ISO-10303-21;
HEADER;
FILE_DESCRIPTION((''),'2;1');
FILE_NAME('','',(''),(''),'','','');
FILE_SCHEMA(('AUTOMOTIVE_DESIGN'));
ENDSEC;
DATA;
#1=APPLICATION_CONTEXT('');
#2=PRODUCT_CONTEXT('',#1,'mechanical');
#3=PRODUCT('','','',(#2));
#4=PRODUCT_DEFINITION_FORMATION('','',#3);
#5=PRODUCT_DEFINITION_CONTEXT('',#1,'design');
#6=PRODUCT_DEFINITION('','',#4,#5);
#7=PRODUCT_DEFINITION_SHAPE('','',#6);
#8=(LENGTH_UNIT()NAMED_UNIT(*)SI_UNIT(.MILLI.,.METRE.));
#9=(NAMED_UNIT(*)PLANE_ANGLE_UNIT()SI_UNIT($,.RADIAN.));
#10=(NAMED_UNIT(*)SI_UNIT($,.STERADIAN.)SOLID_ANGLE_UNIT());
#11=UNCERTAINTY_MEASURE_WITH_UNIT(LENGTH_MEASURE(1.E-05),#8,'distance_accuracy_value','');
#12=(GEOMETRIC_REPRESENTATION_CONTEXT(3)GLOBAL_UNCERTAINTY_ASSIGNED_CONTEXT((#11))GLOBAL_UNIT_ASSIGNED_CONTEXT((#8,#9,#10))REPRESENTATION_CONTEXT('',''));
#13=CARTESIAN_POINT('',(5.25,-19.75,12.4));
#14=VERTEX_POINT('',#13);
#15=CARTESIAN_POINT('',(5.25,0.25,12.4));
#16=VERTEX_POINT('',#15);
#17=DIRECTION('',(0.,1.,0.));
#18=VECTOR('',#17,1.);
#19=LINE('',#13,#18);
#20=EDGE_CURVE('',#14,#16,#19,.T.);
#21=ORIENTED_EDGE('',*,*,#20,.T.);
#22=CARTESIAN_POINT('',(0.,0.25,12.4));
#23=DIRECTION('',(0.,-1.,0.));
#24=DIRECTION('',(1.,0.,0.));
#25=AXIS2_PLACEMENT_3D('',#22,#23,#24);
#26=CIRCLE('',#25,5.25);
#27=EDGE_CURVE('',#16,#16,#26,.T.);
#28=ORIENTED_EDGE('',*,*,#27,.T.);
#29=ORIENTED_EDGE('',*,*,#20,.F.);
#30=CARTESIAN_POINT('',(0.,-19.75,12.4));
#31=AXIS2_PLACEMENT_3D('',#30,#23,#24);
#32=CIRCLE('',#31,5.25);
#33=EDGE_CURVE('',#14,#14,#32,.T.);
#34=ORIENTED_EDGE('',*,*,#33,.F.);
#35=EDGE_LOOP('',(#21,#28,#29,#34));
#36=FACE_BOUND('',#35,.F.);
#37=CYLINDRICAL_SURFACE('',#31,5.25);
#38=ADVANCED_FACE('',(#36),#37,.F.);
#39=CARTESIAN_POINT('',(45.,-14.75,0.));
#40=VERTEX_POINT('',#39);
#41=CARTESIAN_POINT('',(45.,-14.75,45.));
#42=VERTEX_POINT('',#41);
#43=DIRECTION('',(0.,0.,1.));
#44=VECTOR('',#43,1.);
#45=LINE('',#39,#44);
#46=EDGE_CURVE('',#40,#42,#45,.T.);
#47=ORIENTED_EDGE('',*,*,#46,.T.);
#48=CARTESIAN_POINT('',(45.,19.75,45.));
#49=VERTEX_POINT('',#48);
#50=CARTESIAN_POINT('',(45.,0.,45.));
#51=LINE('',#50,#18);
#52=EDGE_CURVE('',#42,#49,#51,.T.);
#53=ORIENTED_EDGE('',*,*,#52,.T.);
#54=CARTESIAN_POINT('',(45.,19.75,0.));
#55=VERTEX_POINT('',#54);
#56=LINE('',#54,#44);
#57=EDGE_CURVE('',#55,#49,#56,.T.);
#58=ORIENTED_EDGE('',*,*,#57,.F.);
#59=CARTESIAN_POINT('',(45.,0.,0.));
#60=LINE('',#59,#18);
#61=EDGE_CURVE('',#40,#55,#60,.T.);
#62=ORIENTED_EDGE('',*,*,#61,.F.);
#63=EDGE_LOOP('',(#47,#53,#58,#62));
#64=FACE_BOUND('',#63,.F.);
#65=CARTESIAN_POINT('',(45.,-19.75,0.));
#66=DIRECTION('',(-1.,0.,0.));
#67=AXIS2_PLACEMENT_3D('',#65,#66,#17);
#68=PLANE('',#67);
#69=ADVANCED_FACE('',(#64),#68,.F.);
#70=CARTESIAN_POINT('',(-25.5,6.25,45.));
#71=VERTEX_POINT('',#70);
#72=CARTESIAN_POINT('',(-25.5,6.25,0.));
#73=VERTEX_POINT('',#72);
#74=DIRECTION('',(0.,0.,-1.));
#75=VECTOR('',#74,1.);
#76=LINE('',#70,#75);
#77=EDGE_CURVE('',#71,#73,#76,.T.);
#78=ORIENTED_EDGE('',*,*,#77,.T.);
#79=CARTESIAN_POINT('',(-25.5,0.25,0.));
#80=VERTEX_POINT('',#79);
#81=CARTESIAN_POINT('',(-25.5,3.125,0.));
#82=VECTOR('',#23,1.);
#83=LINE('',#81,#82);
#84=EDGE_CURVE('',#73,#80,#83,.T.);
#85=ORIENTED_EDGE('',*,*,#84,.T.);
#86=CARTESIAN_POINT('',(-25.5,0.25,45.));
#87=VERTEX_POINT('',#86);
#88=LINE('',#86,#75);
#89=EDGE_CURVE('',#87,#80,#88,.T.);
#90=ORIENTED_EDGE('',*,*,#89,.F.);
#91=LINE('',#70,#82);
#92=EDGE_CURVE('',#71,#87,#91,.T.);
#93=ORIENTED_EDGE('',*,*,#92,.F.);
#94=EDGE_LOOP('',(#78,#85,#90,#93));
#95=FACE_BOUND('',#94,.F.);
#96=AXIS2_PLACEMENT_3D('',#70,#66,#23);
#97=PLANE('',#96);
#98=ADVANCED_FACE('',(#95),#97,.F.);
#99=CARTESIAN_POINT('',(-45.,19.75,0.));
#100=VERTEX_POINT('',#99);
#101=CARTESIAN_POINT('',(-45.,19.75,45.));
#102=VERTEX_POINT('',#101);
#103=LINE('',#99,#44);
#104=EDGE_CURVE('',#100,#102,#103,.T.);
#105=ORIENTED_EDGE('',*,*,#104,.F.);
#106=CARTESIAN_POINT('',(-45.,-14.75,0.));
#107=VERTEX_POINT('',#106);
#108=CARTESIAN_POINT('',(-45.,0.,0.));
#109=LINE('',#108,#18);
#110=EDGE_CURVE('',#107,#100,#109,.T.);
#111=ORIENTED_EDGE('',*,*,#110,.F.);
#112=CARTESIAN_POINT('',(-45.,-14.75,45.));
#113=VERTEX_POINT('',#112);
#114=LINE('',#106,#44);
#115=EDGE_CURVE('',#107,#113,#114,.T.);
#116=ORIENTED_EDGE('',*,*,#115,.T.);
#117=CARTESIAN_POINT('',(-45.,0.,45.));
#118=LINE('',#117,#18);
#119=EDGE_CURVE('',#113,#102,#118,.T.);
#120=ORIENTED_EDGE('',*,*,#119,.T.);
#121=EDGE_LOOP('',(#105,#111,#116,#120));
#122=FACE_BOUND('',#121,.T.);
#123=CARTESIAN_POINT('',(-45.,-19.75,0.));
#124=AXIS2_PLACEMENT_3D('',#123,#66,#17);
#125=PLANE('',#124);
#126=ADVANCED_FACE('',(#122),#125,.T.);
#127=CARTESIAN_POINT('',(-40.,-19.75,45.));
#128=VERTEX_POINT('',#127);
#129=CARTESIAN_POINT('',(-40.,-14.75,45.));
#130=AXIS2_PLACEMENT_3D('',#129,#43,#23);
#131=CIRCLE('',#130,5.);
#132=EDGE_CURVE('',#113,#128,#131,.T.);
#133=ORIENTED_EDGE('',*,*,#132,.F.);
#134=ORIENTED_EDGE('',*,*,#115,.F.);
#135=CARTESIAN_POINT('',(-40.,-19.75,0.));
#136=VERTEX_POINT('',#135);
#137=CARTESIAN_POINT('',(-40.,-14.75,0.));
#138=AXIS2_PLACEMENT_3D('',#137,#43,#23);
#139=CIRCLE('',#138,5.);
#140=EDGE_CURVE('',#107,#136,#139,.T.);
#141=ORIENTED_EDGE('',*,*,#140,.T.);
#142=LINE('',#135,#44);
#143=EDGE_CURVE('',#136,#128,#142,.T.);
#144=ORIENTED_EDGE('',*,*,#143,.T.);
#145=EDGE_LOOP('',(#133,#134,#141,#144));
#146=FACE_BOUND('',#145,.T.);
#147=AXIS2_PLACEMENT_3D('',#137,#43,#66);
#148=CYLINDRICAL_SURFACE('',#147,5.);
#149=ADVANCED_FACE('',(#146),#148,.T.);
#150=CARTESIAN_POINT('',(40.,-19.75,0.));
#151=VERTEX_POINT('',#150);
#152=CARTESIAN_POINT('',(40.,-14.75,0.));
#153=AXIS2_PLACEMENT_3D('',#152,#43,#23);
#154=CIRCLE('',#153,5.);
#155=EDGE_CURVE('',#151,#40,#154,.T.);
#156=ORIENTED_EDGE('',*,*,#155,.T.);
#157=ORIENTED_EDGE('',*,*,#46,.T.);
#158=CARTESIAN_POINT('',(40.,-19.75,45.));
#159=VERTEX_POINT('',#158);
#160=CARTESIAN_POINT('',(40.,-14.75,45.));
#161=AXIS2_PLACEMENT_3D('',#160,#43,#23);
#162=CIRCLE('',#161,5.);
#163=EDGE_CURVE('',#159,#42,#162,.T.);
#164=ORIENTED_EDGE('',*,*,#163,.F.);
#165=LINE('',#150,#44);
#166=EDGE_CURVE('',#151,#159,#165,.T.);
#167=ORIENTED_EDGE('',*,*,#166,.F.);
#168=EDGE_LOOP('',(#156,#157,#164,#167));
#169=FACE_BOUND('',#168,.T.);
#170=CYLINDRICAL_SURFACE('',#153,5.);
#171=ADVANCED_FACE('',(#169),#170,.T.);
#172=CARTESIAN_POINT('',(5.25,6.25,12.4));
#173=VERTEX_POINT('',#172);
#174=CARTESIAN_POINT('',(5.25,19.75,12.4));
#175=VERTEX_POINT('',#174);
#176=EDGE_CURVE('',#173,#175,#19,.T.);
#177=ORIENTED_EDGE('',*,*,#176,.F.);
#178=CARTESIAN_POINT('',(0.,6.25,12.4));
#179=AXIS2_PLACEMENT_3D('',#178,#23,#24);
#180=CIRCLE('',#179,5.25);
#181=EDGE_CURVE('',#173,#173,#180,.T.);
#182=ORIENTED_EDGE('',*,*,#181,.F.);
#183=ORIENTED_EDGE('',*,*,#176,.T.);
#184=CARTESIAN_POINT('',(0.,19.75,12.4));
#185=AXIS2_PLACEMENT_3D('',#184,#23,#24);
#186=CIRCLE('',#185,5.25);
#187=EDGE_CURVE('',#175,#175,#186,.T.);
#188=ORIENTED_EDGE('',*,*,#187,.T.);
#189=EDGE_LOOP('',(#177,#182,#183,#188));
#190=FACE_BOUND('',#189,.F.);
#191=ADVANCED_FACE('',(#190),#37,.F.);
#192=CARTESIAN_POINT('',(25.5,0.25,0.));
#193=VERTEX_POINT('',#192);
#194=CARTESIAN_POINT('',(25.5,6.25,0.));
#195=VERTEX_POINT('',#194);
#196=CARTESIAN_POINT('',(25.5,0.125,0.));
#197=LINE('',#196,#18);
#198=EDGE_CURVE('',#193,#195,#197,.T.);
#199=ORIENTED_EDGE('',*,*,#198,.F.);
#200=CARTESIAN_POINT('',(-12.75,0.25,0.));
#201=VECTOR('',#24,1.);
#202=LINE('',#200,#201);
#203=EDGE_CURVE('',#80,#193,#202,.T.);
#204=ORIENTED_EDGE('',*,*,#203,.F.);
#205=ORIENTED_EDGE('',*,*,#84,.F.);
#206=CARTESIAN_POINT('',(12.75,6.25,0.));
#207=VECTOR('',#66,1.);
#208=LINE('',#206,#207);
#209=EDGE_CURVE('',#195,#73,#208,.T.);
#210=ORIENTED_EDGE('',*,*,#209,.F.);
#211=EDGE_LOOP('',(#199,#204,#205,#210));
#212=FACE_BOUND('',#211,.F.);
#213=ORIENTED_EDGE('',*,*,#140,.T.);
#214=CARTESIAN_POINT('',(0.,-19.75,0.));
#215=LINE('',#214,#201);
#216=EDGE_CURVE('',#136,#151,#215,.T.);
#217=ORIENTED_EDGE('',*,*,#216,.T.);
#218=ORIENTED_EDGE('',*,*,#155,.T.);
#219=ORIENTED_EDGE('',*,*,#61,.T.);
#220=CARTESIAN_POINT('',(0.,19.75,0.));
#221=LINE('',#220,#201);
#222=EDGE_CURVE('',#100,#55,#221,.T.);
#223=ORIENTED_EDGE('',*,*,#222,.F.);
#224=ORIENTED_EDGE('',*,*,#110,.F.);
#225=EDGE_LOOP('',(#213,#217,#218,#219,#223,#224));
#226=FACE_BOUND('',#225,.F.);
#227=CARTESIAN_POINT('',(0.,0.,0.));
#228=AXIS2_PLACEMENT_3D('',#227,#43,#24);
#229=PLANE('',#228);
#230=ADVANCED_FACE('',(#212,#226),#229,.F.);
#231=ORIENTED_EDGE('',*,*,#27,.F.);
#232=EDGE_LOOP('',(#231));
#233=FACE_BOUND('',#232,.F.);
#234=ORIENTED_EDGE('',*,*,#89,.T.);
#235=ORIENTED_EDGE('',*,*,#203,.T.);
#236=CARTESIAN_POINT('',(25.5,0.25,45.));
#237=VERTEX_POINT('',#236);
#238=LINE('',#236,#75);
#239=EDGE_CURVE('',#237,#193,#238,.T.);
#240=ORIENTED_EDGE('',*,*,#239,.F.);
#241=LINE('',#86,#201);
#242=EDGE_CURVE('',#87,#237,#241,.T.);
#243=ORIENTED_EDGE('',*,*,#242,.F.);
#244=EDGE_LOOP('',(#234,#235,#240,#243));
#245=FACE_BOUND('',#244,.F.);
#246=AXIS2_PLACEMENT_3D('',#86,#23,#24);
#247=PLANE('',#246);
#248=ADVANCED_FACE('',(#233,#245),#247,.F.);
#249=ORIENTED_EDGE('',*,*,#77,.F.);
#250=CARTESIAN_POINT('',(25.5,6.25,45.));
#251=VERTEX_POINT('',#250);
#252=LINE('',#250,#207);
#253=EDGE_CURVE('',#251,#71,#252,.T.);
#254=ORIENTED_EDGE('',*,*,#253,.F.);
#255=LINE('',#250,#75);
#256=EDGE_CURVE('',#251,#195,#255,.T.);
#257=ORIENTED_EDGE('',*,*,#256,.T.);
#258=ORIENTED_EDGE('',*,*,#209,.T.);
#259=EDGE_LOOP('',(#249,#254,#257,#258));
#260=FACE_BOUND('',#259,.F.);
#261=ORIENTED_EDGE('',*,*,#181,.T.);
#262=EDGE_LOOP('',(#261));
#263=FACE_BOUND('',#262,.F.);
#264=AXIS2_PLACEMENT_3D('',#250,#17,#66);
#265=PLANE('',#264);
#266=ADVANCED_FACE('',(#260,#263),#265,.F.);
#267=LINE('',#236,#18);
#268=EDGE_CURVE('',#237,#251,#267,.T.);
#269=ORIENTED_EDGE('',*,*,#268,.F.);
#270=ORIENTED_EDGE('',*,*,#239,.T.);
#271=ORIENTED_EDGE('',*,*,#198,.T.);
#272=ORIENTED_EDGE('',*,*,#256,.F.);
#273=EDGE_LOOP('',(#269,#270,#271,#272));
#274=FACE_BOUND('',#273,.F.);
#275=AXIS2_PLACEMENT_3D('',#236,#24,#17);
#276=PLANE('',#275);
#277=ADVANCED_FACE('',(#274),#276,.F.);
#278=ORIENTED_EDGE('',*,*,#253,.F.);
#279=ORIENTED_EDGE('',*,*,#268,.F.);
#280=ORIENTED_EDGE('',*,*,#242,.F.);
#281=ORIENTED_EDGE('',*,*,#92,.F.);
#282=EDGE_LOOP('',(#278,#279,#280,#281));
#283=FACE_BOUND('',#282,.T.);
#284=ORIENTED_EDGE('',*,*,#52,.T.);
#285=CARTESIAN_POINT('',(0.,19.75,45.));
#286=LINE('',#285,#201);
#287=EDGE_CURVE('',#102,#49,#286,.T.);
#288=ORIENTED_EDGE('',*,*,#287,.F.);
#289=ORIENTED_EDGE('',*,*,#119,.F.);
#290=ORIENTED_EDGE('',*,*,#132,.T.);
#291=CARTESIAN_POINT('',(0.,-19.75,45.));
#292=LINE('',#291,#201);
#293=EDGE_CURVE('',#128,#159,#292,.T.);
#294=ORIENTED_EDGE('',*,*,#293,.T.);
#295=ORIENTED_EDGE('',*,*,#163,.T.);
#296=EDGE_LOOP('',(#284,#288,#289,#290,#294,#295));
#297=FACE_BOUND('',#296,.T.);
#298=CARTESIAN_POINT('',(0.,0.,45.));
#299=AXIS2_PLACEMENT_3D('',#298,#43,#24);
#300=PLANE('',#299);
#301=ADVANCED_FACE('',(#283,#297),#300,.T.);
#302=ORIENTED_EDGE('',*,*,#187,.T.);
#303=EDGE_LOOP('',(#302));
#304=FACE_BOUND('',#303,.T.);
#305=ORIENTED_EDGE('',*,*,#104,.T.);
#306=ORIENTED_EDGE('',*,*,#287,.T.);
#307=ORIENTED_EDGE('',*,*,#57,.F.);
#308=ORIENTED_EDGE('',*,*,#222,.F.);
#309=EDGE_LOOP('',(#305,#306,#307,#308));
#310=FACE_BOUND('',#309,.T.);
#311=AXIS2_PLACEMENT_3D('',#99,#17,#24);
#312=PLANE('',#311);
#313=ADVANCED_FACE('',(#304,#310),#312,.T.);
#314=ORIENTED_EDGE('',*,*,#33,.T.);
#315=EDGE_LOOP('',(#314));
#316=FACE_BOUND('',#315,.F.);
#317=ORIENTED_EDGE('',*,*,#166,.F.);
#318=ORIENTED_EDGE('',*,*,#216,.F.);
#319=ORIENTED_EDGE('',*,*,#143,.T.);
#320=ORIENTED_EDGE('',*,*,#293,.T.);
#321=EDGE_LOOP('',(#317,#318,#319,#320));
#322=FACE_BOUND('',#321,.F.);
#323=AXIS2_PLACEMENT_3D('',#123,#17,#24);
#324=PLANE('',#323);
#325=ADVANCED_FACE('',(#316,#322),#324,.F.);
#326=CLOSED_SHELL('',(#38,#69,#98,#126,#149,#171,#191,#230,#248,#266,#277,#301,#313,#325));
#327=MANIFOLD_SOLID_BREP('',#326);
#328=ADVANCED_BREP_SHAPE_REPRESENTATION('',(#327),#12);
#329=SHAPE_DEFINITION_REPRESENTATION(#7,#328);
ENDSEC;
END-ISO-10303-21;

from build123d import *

# Parameters (mm, degrees)
F0_W     = 90
F0_H     = 39.5
F1_DEPTH = 45
F2_R     = 5.25
F3_DEPTH = 39.5
F5_DEPTH = 45.001
F6_R     = 5


with BuildPart() as f1:
    # F0 (on Top) → F1 (new body)
    with BuildSketch(Plane.XY):
        Rectangle(F0_W, F0_H)
    extrude(amount=F1_DEPTH)

    # F2 (on face) → F3 (cut, through all)
    with BuildSketch(Plane.XZ.offset(19.75)):
        with Locations((0, 12.4)):
            Circle(F2_R)
    extrude(amount=-F3_DEPTH, mode=Mode.SUBTRACT)

    # F4 (on face) → F5 (cut, through all)
    with BuildSketch(Plane.XY.offset(45)):
        Polygon((25.5, 6.25), (0, 6.25), (-25.5, 6.25), (-25.5, 0.25), (0, 0.25), (25.5, 0.25), align=None)
    extrude(amount=-F5_DEPTH, mode=Mode.SUBTRACT)

    # F6
    f6_edges = [f1.edges().sort_by_distance(p)[0] for p in [
        (-45, -19.75, 22.5),
        (45, -19.75, 22.5),
    ]]
    fillet(f6_edges, radius=F6_R)


solid = f1.part
